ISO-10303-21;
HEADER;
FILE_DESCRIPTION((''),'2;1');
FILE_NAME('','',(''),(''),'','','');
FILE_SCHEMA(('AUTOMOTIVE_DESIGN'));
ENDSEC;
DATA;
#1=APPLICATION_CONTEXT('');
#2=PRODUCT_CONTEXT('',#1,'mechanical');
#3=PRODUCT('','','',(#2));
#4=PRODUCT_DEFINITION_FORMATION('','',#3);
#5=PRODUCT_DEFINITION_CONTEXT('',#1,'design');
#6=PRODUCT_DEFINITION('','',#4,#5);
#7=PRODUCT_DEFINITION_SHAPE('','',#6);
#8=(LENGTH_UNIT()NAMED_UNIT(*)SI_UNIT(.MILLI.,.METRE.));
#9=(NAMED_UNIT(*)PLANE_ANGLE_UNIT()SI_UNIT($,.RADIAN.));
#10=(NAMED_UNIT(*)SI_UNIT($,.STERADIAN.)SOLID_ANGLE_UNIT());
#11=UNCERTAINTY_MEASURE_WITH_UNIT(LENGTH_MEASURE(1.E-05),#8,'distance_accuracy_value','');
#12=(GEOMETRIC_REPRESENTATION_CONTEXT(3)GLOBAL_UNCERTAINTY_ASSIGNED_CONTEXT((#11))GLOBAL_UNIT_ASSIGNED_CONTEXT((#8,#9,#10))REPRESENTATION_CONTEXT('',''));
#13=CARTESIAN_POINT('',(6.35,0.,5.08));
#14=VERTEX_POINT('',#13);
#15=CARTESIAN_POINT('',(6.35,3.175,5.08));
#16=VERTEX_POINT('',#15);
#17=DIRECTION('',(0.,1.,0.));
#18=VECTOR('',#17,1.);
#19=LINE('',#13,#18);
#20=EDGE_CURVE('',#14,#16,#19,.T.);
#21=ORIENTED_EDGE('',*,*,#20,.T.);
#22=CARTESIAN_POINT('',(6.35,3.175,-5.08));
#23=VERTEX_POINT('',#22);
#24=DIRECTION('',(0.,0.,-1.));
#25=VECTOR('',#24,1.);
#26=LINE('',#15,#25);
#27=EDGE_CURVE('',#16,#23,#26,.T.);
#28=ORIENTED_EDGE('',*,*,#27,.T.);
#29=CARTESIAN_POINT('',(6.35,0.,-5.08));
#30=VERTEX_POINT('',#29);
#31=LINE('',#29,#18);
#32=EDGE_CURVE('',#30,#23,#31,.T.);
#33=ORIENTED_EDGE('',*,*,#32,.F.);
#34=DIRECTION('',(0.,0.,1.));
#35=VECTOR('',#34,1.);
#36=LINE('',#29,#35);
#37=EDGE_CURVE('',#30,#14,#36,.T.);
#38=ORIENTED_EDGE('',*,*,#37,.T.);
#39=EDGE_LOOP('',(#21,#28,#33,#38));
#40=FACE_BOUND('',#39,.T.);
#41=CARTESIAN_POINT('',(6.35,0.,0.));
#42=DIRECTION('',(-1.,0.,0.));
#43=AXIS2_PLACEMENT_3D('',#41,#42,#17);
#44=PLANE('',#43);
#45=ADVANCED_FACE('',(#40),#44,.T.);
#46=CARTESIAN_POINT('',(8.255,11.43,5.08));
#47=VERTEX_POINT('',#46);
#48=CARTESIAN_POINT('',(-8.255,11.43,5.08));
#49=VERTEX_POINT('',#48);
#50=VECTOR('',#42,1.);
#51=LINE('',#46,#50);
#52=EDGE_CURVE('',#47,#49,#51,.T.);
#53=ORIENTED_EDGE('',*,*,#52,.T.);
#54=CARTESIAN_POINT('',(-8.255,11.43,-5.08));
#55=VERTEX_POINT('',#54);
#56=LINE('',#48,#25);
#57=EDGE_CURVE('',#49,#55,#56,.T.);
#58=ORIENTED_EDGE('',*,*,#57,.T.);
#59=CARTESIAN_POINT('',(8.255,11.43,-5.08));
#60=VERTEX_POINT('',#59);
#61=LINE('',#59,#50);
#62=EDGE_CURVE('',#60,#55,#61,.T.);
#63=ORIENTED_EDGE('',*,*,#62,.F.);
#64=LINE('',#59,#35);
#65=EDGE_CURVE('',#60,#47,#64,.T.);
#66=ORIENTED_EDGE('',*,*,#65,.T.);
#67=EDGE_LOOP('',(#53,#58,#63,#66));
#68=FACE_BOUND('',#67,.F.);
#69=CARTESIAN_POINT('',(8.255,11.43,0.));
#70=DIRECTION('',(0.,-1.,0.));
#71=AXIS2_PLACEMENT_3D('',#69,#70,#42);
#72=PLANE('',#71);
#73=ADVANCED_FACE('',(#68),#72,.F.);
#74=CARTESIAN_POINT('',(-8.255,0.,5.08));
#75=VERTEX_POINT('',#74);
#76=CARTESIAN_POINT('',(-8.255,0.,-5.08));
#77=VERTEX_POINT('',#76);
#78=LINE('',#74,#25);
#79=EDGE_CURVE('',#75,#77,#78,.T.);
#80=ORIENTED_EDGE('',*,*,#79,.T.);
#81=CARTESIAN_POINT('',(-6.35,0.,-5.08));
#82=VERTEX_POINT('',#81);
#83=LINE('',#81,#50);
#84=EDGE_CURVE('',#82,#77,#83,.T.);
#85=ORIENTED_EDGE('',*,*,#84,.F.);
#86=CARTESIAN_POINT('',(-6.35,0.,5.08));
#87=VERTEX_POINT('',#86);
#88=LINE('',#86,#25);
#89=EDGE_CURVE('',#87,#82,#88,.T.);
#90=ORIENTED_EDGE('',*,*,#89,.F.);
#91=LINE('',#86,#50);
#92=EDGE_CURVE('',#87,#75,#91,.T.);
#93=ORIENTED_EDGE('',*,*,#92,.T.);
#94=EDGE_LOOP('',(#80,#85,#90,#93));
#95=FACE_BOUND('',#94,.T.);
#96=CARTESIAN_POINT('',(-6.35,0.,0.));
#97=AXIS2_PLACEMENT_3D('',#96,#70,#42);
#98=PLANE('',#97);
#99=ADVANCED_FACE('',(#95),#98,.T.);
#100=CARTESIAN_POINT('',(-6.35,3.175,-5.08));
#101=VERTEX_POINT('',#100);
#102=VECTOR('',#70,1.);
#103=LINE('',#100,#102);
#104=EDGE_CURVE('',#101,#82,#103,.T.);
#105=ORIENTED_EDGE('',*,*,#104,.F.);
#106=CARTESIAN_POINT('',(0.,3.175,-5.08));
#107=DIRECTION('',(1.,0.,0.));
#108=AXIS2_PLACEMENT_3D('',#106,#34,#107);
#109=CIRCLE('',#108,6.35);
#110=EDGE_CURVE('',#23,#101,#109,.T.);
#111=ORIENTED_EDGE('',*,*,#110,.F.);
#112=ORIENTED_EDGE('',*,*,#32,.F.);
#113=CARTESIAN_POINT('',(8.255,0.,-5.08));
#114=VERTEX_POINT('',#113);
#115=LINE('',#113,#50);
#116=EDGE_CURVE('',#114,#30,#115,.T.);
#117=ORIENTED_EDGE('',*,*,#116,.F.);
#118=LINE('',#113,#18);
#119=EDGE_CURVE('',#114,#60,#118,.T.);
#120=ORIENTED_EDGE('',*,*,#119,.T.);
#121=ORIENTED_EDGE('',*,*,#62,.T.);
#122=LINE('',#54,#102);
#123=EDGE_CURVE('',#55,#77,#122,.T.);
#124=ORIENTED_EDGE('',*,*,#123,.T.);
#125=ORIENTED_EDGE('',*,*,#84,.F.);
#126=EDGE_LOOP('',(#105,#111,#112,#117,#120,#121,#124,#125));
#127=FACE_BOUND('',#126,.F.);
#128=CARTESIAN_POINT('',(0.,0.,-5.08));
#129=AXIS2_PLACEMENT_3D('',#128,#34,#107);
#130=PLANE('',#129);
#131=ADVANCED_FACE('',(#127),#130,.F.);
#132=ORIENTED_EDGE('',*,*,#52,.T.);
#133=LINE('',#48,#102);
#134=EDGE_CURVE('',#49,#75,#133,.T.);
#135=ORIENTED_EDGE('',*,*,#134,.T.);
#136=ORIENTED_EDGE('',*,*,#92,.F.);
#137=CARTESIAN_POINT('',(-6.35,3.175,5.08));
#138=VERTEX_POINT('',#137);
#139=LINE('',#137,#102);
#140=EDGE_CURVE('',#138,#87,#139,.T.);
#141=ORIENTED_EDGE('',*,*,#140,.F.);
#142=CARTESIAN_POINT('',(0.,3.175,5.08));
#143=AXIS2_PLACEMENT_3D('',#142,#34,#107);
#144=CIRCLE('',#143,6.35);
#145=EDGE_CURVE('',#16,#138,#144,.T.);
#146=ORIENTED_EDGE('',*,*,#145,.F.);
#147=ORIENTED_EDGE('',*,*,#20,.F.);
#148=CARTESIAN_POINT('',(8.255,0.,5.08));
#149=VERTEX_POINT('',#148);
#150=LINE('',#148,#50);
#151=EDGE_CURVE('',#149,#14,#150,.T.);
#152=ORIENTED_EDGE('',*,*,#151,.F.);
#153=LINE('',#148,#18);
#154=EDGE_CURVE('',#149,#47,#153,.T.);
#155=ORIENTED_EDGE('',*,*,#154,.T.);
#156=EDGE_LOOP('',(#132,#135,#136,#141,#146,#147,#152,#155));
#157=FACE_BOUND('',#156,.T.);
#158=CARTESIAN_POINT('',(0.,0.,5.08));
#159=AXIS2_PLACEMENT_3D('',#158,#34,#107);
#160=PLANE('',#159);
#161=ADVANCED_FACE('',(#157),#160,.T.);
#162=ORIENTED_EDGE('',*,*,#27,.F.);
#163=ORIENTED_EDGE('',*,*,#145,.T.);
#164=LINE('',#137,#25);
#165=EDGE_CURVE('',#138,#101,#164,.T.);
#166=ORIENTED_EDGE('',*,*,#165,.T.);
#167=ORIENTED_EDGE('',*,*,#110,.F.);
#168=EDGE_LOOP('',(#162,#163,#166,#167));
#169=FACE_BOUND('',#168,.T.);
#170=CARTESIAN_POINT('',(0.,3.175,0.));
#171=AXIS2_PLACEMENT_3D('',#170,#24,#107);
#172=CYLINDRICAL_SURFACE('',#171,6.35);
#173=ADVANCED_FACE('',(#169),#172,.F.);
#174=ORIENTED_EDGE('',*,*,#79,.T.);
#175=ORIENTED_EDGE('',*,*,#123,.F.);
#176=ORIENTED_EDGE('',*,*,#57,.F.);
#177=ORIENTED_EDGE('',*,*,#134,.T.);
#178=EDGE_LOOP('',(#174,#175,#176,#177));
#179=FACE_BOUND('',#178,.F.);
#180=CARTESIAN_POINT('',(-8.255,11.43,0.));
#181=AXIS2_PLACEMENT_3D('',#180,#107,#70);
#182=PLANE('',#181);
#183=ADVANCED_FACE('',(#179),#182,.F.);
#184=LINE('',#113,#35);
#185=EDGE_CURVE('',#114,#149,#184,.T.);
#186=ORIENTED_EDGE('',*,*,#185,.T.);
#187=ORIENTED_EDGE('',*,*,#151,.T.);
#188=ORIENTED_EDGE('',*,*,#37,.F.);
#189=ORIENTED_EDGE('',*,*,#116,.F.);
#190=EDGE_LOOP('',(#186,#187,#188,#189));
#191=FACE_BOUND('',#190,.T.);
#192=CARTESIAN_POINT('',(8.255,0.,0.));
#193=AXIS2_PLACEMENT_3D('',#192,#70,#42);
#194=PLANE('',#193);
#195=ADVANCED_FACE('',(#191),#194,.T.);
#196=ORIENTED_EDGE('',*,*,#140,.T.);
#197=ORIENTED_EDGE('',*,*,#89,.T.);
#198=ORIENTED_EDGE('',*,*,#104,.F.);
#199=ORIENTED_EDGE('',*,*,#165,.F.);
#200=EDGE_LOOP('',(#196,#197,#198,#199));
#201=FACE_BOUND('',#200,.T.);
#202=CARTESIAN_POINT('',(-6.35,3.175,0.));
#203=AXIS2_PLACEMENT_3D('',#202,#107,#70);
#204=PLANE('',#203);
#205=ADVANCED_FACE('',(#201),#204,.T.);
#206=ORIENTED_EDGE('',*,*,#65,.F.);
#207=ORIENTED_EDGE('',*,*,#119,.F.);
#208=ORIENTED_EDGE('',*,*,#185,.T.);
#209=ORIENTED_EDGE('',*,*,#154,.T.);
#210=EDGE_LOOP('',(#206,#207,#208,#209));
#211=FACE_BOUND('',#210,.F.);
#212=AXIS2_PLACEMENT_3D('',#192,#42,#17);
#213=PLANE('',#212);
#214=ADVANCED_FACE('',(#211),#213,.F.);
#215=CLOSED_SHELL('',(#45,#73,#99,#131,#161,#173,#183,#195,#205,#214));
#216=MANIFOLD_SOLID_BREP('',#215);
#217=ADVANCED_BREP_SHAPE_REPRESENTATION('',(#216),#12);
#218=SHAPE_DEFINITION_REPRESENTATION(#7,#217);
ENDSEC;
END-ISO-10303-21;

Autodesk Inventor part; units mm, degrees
ref_plane "YZ Plane" through (0, 0, 0) normal (1, 0, 0) x (0, 1, 0)
ref_plane "XZ Plane" through (0, 0, 0) normal (0, 1, 0) x (-1, 0, 0)
ref_plane "XY Plane" through (0, 0, 0) normal (0, 0, 1) x (1, 0, 0)
sketch "Sketch1" plane through (0, 0, 0) normal (0, 0, 1) x (1, 0, 0)
  line L0 (0, -3.175) -> (0, 3.175) construction
  line L1 (6.35, 0) -> (6.35, 3.175)
  line L2 (-6.35, 3.175) -> (-6.35, 0)
  arc A0 (6.35, 3.175) -> (-6.35, 3.175) centre (0, 3.175) ccw
  line L3 (8.255, 0) -> (8.255, 11.43)
  line L4 (8.255, 11.43) -> (-8.255, 11.43)
  line L5 (-8.255, 11.43) -> (-8.255, 0)
  line L6 (-8.255, -11.43) -> (8.255, 11.43) construction
  line L7 (8.255, -11.43) -> (-8.255, 11.43) construction
  line L8 (8.255, 0) -> (6.35, 0)
  line L9 (-6.35, 0) -> (-8.255, 0)
  point P0 (0, 0)
  point P1 (-5.062, -7.0089)
  dimension "d0" = 6.35
  dimension "d3" = 1.905
extrude "Extrusion3" add sketch "Sketch1" along normal mid plane 10.16
properties part number "shadeHolder" material "PC/ABS Plastic"
